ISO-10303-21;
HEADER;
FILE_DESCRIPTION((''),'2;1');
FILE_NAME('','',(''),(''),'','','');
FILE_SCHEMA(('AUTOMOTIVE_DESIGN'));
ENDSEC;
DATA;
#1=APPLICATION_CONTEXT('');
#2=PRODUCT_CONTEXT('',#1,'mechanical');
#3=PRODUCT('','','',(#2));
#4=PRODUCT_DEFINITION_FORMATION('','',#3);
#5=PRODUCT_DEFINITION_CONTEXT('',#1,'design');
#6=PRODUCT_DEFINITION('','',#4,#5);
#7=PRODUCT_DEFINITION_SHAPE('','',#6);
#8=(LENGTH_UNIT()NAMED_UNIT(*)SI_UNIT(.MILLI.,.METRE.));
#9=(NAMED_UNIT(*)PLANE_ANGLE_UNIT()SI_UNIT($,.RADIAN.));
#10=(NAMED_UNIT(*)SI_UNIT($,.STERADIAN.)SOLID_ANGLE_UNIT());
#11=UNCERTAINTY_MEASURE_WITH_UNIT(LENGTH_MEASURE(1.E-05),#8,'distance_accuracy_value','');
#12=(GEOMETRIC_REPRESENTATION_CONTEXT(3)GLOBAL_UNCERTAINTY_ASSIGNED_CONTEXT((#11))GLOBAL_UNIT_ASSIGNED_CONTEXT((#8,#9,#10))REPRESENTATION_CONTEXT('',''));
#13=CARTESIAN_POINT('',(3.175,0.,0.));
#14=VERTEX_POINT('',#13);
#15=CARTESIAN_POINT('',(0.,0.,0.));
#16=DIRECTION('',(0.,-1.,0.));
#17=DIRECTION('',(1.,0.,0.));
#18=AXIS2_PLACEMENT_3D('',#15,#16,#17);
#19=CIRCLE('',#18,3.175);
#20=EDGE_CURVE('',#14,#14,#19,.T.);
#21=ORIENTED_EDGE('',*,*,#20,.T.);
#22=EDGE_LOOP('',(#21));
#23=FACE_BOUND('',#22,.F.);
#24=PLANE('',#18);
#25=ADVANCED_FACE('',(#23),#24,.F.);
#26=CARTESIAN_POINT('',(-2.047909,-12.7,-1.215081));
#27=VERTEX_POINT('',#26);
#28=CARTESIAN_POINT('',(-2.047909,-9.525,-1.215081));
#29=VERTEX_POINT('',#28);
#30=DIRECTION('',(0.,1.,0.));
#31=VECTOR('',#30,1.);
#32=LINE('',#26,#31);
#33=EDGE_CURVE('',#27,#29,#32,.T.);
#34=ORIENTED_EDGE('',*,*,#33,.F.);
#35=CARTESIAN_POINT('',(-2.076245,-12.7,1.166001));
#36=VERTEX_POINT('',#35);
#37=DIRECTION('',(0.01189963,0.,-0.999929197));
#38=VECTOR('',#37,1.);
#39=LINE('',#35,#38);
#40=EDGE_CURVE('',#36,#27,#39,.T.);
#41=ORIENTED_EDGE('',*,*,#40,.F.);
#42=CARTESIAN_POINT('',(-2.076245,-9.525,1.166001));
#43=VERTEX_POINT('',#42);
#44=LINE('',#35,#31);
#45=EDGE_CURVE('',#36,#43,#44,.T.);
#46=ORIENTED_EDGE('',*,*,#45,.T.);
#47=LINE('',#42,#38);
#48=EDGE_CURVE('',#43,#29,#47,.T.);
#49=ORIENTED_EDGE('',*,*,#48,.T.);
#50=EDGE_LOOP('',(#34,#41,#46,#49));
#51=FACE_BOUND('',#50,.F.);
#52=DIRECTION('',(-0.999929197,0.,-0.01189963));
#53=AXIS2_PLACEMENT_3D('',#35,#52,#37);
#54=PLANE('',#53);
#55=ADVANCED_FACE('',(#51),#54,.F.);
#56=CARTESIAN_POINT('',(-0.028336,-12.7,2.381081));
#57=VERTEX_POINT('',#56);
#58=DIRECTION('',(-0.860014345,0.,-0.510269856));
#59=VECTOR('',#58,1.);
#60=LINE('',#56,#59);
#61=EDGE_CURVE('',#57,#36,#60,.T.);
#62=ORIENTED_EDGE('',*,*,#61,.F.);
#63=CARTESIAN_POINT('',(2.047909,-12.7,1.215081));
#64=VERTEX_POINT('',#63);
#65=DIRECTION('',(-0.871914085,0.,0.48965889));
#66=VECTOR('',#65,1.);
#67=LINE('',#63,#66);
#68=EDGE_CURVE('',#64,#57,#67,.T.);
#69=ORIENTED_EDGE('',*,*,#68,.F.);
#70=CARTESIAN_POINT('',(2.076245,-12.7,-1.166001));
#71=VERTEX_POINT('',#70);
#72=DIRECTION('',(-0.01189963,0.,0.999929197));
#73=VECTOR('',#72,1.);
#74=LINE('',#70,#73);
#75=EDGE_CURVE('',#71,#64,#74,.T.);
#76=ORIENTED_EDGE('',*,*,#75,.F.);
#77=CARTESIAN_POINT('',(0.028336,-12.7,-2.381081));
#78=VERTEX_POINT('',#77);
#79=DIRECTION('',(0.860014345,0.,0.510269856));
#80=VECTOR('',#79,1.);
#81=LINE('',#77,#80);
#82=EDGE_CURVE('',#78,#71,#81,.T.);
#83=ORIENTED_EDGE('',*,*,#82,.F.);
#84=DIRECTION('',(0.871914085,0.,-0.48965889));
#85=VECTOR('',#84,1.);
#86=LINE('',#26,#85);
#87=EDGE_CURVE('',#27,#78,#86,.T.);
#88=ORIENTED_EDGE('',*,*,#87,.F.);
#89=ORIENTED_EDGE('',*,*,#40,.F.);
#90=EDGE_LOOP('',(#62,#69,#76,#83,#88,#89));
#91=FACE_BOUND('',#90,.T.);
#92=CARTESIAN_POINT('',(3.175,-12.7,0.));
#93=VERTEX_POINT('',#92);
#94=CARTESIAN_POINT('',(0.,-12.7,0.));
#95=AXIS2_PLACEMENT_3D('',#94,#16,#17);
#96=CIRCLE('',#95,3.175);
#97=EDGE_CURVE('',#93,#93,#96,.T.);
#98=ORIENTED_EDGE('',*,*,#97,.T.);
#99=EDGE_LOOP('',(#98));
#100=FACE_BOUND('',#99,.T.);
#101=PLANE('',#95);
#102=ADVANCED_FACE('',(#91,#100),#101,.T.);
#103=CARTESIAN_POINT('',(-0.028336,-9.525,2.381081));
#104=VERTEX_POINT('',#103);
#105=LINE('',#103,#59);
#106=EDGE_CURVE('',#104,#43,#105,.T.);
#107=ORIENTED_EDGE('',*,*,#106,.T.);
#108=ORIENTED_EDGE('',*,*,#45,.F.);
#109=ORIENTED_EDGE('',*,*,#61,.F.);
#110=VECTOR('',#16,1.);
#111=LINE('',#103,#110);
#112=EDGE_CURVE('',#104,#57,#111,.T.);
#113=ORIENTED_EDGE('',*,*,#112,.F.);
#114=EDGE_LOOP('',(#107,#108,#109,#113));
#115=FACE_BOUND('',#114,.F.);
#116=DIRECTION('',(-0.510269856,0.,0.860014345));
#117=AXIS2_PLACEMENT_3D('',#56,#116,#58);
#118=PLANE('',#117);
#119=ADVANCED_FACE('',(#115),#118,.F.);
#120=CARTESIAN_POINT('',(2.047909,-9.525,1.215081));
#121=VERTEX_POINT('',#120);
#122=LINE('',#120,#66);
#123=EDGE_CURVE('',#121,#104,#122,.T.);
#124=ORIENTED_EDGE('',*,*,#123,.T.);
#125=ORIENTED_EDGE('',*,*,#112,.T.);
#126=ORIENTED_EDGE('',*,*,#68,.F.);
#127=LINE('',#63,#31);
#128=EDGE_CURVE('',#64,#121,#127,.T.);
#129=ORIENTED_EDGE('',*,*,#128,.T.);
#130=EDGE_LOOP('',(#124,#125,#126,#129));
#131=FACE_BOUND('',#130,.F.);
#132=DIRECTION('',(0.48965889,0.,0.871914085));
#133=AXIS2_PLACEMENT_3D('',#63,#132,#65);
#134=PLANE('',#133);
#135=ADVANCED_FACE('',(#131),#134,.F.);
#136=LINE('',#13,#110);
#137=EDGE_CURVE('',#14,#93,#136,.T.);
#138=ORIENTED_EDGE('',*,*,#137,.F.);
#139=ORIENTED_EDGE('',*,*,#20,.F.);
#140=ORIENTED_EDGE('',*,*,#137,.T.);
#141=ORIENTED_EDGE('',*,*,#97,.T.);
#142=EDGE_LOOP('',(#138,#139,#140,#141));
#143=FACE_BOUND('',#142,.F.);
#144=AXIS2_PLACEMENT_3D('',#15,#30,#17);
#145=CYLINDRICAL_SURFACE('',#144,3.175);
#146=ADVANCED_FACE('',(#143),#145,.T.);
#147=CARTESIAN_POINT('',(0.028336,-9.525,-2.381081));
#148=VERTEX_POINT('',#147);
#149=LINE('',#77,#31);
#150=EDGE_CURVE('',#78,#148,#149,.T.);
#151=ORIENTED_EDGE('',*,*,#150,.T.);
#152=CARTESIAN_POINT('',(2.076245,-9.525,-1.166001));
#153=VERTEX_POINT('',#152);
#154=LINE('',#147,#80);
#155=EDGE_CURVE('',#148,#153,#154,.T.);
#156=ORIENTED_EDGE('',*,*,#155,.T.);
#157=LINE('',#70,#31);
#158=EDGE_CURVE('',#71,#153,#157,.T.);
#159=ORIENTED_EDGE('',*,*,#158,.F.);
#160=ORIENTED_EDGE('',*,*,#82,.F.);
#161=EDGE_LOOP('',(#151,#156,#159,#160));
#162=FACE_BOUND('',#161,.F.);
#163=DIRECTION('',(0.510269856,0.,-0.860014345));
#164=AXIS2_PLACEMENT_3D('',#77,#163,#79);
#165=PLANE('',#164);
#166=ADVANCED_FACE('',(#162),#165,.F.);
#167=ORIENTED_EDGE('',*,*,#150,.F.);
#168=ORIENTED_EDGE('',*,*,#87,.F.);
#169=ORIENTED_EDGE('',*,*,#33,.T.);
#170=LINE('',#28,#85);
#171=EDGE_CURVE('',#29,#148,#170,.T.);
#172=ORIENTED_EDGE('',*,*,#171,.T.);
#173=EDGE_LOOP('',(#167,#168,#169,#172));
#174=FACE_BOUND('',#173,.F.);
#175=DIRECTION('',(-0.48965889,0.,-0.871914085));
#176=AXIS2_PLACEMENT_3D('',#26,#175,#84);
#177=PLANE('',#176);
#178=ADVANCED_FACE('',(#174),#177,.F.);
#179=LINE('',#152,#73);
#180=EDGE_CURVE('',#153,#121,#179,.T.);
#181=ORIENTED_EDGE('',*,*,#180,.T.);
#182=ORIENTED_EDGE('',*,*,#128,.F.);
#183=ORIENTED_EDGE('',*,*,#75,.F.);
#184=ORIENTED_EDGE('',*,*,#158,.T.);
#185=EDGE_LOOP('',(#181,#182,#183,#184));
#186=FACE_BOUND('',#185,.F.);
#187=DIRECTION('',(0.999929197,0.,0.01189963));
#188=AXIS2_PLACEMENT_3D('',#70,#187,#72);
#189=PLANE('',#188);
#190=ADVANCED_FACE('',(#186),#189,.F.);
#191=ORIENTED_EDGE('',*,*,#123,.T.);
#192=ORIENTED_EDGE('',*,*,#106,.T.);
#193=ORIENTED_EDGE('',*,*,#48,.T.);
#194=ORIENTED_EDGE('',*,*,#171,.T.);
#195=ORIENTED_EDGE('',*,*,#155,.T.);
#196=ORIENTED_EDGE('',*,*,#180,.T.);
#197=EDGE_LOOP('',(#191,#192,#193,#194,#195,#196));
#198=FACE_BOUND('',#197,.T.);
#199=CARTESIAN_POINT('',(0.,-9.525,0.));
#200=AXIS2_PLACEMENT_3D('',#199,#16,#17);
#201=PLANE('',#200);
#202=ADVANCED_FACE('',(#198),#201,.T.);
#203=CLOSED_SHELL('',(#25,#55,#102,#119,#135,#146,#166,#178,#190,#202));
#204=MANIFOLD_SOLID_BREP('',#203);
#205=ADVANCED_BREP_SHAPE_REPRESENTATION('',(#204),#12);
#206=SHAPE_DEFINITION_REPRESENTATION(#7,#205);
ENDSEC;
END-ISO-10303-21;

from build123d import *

# Parameters (mm, degrees)
F0_R     = 3.175
F1_DEPTH = 12.7
F3_DEPTH = 3.175
F4_DEPTH = 2.38125


with BuildPart() as f1:
    # F0 (on Front) → F1 (new body)
    with BuildSketch(Plane.XZ):
        Circle(F0_R)
    extrude(amount=F1_DEPTH)

    # F2 (on face) → F3 (cut)
    with BuildSketch(Plane.XZ.offset(12.7)):
        Polygon((-0.028336, 2.381081), (-2.076245, 1.166001), (-2.047909, -1.215081), (0.028336, -2.381081), (2.076245, -1.166001), (2.047909, 1.215081), align=None)
    extrude(amount=-F3_DEPTH, mode=Mode.SUBTRACT)

    # F2 (on face) → F4 (cut)
    with BuildSketch(Plane.XZ.offset(12.7)):
        Polygon((-0.028336, 2.381081), (-2.076245, 1.166001), (-2.047909, -1.215081), (0.028336, -2.381081), (2.076245, -1.166001), (2.047909, 1.215081), align=None)
    extrude(amount=-F4_DEPTH, mode=Mode.SUBTRACT)


solid = f1.part
